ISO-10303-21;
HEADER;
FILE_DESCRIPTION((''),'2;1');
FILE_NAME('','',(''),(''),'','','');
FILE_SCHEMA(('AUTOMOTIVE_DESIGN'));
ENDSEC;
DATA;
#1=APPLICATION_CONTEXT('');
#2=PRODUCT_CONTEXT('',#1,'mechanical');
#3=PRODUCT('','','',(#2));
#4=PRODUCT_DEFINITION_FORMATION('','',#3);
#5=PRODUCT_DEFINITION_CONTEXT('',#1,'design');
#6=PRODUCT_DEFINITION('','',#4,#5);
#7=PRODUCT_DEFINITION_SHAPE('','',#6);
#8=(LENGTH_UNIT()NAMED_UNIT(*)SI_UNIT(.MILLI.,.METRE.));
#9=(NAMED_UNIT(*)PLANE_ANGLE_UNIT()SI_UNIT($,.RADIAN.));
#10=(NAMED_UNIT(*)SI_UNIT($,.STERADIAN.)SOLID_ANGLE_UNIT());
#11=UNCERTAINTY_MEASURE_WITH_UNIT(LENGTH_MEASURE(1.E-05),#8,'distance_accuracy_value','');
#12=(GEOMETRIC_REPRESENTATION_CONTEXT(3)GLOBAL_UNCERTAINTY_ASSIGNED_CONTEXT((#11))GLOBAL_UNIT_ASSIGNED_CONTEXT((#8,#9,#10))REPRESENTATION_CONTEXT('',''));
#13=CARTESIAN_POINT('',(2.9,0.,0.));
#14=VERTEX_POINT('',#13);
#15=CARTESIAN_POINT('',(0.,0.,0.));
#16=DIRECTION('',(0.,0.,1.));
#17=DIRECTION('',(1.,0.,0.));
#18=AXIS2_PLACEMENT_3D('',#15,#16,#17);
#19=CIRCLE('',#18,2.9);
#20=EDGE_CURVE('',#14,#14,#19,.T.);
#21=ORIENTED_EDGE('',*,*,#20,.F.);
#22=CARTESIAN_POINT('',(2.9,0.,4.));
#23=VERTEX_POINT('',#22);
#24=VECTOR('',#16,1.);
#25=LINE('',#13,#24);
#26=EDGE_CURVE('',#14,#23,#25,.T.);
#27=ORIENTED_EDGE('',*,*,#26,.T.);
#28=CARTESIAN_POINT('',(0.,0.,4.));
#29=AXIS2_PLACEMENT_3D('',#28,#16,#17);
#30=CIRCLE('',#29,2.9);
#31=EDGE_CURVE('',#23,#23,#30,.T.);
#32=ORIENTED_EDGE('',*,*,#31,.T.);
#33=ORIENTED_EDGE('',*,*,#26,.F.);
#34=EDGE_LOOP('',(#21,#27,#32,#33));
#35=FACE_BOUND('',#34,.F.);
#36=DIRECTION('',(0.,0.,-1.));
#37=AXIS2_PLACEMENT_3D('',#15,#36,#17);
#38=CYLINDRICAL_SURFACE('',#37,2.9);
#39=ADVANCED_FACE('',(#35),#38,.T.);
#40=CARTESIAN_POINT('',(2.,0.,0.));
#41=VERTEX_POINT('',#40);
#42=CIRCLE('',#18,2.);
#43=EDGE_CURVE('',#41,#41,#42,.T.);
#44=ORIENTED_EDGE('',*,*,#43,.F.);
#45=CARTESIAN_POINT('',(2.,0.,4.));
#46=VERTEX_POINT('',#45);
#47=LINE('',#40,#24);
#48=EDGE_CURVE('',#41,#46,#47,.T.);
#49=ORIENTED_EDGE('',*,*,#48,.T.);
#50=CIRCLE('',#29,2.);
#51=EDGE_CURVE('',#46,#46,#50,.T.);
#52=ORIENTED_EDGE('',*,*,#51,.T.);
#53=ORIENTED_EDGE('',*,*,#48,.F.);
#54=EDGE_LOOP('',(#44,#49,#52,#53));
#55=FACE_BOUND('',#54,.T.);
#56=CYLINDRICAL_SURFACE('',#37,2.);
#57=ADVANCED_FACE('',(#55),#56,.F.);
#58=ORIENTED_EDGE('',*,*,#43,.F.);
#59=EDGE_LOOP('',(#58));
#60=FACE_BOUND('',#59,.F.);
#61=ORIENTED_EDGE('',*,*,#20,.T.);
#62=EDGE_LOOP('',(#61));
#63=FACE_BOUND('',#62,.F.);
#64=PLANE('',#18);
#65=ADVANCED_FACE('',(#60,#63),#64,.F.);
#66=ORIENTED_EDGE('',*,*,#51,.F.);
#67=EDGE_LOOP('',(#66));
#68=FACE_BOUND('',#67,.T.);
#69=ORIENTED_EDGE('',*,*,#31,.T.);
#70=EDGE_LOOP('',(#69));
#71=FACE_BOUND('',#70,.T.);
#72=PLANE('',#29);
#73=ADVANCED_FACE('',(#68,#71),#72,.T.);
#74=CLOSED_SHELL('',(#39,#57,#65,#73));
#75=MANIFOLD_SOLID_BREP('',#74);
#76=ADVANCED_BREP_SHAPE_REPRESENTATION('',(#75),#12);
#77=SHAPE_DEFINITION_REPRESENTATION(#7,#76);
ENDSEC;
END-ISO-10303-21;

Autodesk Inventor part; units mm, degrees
ref_plane "YZ Plane" through (0, 0, 0) normal (1, 0, 0) x (0, 1, 0)
ref_plane "XZ Plane" through (0, 0, 0) normal (0, 1, 0) x (-1, 0, 0)
ref_plane "XY Plane" through (0, 0, 0) normal (0, 0, 1) x (1, 0, 0)
sketch "スケッチ1" plane through (0, 0, 0) normal (0, 0, 1) x (1, 0, 0)
  circle A0 centre (0, 0) radius 2
  circle A1 centre (0, 0) radius 2.9
  dimension "d0" = 4
  dimension "d1" = 5.8
extrude "押し出し1" add sketch "スケッチ1" along normal blind 4
thread "ねじ1" size "M4x0.7" class "6H" standard "ANSI Metric M Profile" full length
properties part number "インサートナットM4" material "真鍮、ソフト イエロー"
